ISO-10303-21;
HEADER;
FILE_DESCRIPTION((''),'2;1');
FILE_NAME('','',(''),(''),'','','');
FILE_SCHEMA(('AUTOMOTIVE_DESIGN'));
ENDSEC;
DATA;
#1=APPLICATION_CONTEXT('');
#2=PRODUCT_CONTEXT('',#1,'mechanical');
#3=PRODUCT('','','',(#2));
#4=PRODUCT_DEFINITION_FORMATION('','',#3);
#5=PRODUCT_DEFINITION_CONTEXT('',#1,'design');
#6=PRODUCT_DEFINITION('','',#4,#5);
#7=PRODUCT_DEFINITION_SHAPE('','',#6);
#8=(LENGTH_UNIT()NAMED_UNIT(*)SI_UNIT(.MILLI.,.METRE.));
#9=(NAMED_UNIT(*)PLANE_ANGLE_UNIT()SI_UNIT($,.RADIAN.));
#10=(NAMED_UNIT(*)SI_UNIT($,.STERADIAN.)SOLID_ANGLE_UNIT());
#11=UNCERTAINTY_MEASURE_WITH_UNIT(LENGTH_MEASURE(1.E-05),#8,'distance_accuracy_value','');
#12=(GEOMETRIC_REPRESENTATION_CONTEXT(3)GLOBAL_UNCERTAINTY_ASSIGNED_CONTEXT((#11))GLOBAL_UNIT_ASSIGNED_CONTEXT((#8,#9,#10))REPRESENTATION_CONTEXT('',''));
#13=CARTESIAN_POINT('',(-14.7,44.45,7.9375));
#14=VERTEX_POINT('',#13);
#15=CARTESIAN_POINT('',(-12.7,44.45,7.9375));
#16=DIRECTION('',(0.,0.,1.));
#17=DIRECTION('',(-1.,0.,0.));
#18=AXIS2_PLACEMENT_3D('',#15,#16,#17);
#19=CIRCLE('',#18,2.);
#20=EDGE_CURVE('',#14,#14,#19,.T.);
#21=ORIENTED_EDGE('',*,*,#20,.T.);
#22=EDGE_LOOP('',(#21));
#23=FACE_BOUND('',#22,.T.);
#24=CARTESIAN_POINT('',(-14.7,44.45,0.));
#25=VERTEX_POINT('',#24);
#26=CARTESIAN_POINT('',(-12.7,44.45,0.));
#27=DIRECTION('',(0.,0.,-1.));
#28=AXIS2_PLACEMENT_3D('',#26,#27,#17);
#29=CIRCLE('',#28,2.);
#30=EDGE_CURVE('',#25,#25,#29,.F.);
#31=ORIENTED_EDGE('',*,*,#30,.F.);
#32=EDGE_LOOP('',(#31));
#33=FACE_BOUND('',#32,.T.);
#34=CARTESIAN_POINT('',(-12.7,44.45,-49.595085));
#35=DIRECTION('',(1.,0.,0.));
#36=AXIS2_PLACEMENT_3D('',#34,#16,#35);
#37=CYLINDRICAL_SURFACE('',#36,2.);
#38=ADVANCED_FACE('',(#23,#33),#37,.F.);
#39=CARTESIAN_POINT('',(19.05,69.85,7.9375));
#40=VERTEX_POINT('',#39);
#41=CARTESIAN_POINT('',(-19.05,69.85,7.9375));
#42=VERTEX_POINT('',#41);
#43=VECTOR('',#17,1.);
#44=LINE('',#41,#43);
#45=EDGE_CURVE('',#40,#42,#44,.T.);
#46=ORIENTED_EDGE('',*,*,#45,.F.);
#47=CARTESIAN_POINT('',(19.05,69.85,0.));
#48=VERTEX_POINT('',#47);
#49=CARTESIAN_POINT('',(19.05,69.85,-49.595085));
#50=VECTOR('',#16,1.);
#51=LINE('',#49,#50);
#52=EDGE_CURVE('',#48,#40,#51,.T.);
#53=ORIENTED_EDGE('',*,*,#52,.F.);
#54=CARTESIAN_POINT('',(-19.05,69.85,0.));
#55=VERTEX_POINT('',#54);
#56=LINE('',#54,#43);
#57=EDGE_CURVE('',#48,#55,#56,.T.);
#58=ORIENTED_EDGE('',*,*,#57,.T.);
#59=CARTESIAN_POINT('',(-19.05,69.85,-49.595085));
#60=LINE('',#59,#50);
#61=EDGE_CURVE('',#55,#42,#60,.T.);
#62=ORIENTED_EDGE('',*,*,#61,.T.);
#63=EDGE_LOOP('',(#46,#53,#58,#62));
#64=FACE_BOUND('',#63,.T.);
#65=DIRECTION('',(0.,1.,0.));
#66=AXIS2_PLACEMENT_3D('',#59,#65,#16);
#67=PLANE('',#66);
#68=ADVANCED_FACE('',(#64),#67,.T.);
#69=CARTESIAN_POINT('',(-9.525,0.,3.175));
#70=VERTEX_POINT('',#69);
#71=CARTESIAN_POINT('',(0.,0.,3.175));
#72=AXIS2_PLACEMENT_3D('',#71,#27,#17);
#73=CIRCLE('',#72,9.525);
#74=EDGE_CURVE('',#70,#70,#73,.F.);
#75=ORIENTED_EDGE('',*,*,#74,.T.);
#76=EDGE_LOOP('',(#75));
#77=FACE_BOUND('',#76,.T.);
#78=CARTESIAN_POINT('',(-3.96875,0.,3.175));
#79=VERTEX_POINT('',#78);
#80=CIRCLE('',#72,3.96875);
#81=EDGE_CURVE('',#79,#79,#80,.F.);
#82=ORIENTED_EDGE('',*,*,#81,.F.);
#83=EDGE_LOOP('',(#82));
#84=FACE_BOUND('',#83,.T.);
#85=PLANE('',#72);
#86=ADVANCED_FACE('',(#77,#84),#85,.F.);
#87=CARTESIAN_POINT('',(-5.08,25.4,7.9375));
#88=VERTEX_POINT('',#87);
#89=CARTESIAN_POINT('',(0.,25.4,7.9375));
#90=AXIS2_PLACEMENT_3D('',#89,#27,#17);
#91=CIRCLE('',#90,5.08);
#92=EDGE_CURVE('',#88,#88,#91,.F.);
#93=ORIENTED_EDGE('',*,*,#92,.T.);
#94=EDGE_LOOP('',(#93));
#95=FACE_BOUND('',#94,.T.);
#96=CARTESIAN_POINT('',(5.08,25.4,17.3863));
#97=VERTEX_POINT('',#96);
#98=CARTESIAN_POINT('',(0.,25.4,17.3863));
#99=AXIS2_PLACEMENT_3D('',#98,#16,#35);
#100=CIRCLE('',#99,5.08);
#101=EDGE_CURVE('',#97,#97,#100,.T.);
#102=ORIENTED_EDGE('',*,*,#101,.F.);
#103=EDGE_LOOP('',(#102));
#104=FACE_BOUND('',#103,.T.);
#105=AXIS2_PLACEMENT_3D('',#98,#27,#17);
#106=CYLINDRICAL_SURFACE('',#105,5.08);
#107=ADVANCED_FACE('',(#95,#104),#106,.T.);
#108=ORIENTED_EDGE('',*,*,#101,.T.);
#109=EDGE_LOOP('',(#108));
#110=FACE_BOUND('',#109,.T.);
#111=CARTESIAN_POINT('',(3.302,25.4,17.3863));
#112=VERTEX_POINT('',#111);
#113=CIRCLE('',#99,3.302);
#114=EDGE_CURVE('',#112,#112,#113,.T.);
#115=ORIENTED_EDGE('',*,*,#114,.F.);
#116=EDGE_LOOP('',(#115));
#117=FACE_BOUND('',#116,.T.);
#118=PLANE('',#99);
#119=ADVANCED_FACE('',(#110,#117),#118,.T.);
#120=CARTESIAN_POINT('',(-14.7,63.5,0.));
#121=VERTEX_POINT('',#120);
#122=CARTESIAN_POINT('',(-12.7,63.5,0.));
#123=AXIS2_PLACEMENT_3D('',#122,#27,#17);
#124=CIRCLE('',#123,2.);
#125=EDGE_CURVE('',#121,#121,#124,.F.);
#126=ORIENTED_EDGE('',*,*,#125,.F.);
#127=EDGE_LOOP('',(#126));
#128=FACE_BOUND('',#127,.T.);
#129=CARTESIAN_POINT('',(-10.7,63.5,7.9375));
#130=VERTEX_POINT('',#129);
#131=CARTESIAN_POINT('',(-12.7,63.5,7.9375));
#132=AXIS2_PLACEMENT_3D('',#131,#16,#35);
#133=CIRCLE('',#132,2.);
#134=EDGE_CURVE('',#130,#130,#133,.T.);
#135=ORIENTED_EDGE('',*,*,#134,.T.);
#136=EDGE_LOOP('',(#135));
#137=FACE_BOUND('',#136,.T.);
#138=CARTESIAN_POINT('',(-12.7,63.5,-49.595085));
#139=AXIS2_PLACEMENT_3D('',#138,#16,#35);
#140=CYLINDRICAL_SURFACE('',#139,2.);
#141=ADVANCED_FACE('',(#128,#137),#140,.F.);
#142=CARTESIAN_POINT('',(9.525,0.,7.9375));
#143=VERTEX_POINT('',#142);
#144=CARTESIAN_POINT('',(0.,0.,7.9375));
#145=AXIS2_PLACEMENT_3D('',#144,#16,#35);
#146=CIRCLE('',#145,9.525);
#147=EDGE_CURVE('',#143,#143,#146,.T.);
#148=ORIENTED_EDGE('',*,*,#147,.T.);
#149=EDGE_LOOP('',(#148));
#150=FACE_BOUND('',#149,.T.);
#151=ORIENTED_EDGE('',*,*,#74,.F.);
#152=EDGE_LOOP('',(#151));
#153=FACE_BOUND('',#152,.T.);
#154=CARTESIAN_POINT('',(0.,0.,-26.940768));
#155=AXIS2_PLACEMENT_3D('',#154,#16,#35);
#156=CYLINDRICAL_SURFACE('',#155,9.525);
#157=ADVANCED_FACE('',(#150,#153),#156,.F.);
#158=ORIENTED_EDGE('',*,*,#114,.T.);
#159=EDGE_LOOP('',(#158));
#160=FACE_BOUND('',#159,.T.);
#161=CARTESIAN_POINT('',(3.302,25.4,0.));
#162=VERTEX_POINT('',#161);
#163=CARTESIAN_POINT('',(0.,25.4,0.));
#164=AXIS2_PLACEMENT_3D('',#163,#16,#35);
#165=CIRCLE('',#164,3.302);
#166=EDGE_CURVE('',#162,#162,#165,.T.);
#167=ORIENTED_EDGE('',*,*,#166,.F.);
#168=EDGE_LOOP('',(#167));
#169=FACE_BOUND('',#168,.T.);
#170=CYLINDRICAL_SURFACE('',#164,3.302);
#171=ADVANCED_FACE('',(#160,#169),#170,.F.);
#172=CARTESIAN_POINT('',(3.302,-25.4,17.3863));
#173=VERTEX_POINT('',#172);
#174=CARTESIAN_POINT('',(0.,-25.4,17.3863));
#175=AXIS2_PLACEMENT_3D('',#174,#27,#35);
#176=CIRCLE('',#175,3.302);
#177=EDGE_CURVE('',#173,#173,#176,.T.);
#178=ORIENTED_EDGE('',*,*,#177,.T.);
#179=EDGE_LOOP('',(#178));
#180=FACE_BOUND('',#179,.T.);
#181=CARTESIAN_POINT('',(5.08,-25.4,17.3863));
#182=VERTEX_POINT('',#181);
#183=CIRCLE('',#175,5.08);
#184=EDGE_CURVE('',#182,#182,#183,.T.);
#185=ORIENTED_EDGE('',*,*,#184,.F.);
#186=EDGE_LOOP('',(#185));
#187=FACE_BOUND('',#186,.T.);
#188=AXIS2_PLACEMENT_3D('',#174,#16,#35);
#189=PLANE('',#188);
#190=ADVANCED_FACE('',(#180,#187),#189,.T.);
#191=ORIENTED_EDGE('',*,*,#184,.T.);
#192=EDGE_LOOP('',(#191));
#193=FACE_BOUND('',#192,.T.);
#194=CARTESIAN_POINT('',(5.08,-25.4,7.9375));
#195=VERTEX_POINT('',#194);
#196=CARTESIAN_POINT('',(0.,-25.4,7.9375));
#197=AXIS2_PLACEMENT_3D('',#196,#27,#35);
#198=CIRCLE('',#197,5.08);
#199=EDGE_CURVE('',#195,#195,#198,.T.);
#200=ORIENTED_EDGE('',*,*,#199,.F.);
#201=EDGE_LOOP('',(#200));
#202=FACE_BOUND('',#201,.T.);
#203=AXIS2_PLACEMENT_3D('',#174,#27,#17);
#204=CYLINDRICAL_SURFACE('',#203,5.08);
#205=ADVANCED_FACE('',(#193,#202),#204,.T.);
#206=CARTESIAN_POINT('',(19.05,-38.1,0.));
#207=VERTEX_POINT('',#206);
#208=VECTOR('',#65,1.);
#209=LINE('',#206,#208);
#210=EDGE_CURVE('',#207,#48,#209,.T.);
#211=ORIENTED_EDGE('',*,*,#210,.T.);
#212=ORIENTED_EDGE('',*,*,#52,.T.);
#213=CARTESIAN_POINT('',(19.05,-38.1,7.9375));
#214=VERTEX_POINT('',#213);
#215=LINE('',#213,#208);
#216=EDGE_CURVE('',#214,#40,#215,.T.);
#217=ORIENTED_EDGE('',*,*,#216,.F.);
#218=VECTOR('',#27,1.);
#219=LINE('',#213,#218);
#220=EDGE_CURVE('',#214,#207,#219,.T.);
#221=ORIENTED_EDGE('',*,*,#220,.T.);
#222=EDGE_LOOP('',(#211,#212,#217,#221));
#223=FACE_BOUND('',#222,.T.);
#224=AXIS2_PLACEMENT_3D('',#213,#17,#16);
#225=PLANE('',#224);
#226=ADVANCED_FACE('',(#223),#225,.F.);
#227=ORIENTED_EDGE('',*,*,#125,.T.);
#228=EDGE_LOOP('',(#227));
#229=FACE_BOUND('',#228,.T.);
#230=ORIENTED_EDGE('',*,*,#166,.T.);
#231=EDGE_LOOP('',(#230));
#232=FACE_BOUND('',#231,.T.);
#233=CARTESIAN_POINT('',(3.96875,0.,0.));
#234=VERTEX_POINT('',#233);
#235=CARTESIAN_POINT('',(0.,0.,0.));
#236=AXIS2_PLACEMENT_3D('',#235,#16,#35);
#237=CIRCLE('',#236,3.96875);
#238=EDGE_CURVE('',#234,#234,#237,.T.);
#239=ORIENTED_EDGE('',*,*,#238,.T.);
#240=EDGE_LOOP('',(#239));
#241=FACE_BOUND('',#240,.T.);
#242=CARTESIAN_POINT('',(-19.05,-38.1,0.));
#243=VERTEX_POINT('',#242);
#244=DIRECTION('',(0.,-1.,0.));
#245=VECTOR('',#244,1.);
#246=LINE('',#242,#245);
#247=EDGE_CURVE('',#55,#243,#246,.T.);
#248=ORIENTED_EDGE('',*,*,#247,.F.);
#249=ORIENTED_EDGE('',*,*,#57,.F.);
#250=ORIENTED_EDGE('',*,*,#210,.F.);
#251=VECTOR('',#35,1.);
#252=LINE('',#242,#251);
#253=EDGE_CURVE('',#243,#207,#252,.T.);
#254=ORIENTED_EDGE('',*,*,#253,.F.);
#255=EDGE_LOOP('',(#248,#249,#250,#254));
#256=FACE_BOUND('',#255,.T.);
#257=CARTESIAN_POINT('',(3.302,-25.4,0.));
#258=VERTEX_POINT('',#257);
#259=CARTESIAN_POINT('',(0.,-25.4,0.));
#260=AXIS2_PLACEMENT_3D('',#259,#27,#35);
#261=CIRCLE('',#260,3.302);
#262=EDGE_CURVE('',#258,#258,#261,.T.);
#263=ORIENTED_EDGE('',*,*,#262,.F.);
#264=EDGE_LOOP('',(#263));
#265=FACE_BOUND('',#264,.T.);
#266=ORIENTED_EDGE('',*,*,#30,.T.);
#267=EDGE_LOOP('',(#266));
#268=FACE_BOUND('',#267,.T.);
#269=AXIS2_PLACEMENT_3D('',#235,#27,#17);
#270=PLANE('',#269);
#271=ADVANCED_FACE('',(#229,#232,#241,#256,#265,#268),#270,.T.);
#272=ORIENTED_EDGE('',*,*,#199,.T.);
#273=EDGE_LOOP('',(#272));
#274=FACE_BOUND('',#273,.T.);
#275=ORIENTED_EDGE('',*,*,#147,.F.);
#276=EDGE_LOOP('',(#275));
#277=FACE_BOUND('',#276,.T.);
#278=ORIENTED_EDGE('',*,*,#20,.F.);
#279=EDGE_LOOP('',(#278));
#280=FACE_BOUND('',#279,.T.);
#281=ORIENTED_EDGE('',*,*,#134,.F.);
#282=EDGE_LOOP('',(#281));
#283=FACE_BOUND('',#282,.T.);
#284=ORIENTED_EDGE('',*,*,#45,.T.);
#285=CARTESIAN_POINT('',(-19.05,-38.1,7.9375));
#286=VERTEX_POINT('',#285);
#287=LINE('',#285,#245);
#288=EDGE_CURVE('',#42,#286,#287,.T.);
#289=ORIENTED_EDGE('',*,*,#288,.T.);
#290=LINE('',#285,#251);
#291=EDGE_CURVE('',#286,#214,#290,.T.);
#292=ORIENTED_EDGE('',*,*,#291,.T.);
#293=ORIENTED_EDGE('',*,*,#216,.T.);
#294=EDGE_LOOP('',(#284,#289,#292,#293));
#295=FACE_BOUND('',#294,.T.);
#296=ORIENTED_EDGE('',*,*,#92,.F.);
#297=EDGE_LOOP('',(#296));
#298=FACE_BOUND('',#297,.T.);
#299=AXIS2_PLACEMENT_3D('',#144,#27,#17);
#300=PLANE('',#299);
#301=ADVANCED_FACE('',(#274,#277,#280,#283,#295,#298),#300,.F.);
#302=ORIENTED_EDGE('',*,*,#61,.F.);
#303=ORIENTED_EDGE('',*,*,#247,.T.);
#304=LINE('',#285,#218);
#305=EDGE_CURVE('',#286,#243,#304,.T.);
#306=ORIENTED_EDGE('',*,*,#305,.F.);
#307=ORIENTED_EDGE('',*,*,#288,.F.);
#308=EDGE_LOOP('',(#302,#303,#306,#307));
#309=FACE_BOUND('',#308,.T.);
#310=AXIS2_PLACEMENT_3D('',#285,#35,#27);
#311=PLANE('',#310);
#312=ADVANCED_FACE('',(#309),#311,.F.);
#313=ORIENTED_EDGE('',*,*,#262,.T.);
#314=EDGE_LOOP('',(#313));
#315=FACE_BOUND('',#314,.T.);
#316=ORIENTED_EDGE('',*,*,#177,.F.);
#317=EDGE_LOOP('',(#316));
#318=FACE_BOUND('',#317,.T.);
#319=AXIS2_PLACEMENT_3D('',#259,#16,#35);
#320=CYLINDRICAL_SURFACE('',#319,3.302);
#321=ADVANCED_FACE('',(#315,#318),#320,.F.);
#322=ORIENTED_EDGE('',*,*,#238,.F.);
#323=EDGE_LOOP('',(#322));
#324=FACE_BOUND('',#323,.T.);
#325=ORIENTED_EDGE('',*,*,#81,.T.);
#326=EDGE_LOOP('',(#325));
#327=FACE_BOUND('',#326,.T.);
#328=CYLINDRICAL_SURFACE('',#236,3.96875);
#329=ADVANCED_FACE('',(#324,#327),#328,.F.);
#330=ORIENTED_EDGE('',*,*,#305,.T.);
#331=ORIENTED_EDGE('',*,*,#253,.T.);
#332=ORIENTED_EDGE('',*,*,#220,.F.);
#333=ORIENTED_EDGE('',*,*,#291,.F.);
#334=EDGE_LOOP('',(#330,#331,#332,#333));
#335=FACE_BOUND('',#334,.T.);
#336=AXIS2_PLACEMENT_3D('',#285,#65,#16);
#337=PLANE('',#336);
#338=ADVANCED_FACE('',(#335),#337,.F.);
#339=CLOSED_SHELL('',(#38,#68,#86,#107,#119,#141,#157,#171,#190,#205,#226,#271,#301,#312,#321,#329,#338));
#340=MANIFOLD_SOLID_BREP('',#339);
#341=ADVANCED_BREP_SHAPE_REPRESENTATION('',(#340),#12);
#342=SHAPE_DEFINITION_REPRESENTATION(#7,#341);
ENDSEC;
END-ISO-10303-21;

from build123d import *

# Parameters (mm, degrees)
SKETCH1_W           = 38.1
SKETCH1_H           = 76.2
BOSS_EXTRUDE1_DEPTH = 7.9375
SKETCH2_R           = 3.96875
CUT_EXTRUDE1_DEPTH  = 44.330317403
SKETCH4_R           = 9.525
CUT_EXTRUDE2_DEPTH  = 4.7625
SKETCH5_R           = 5.08
BOSS_EXTRUDE2_DEPTH = 9.4488
SKETCH6_R           = 3.302
CUT_EXTRUDE3_DEPTH  = 47.008650575
SKETCH7_W           = 38.1
SKETCH7_H           = 31.75
SKETCH7_R           = 2
BOSS_EXTRUDE4_DEPTH = 7.9375


with BuildPart() as part:
    # Sketch1 → Boss-Extrude1 (new body)
    with BuildSketch(Plane.XY):
        Rectangle(SKETCH1_W, SKETCH1_H)
    extrude(amount=BOSS_EXTRUDE1_DEPTH)

    # Sketch2 → Cut-Extrude1 (cut, through all)
    with BuildSketch(Plane.XY.offset(7.9375)):
        Circle(SKETCH2_R)
    extrude(amount=-CUT_EXTRUDE1_DEPTH, mode=Mode.SUBTRACT)

    # Sketch4 → Cut-Extrude2 (cut)
    with BuildSketch(Plane.XY.offset(7.9375)):
        Circle(SKETCH4_R)
    extrude(amount=-CUT_EXTRUDE2_DEPTH, mode=Mode.SUBTRACT)

    # Sketch5 → Boss-Extrude2 (add)
    with BuildSketch(Plane.XY.offset(7.9375)):
        with Locations(Location((0, 25.4, 0), (0, 0, 180))):
            Circle(SKETCH5_R)
    boss_extrude2 = extrude(amount=BOSS_EXTRUDE2_DEPTH)

    # Sketch6 → Cut-Extrude3 (cut, through all)
    with BuildSketch(Plane.XY.offset(17.3863)):
        with Locations((0, 25.4)):
            Circle(SKETCH6_R)
    cut_extrude3 = extrude(amount=-CUT_EXTRUDE3_DEPTH, mode=Mode.SUBTRACT)

    # Mirror1: Boss-Extrude2, Cut-Extrude3 across plane
    add(boss_extrude2.mirror(Plane.ZX))
    add(cut_extrude3.mirror(Plane.ZX), mode=Mode.SUBTRACT)

    # Sketch7 → Boss-Extrude4 (add)
    with BuildSketch(Plane.XY.offset(7.9375)):
        with Locations((0, 53.975)):
            Rectangle(SKETCH7_W, SKETCH7_H)
        with Locations((-12.7, 63.5)):
            Circle(SKETCH7_R, mode=Mode.SUBTRACT)
        with Locations(Location((-12.7, 44.45, 0), (0, 0, 180))):
            Circle(SKETCH7_R, mode=Mode.SUBTRACT)
    extrude(amount=-BOSS_EXTRUDE4_DEPTH)


solid = part.part
